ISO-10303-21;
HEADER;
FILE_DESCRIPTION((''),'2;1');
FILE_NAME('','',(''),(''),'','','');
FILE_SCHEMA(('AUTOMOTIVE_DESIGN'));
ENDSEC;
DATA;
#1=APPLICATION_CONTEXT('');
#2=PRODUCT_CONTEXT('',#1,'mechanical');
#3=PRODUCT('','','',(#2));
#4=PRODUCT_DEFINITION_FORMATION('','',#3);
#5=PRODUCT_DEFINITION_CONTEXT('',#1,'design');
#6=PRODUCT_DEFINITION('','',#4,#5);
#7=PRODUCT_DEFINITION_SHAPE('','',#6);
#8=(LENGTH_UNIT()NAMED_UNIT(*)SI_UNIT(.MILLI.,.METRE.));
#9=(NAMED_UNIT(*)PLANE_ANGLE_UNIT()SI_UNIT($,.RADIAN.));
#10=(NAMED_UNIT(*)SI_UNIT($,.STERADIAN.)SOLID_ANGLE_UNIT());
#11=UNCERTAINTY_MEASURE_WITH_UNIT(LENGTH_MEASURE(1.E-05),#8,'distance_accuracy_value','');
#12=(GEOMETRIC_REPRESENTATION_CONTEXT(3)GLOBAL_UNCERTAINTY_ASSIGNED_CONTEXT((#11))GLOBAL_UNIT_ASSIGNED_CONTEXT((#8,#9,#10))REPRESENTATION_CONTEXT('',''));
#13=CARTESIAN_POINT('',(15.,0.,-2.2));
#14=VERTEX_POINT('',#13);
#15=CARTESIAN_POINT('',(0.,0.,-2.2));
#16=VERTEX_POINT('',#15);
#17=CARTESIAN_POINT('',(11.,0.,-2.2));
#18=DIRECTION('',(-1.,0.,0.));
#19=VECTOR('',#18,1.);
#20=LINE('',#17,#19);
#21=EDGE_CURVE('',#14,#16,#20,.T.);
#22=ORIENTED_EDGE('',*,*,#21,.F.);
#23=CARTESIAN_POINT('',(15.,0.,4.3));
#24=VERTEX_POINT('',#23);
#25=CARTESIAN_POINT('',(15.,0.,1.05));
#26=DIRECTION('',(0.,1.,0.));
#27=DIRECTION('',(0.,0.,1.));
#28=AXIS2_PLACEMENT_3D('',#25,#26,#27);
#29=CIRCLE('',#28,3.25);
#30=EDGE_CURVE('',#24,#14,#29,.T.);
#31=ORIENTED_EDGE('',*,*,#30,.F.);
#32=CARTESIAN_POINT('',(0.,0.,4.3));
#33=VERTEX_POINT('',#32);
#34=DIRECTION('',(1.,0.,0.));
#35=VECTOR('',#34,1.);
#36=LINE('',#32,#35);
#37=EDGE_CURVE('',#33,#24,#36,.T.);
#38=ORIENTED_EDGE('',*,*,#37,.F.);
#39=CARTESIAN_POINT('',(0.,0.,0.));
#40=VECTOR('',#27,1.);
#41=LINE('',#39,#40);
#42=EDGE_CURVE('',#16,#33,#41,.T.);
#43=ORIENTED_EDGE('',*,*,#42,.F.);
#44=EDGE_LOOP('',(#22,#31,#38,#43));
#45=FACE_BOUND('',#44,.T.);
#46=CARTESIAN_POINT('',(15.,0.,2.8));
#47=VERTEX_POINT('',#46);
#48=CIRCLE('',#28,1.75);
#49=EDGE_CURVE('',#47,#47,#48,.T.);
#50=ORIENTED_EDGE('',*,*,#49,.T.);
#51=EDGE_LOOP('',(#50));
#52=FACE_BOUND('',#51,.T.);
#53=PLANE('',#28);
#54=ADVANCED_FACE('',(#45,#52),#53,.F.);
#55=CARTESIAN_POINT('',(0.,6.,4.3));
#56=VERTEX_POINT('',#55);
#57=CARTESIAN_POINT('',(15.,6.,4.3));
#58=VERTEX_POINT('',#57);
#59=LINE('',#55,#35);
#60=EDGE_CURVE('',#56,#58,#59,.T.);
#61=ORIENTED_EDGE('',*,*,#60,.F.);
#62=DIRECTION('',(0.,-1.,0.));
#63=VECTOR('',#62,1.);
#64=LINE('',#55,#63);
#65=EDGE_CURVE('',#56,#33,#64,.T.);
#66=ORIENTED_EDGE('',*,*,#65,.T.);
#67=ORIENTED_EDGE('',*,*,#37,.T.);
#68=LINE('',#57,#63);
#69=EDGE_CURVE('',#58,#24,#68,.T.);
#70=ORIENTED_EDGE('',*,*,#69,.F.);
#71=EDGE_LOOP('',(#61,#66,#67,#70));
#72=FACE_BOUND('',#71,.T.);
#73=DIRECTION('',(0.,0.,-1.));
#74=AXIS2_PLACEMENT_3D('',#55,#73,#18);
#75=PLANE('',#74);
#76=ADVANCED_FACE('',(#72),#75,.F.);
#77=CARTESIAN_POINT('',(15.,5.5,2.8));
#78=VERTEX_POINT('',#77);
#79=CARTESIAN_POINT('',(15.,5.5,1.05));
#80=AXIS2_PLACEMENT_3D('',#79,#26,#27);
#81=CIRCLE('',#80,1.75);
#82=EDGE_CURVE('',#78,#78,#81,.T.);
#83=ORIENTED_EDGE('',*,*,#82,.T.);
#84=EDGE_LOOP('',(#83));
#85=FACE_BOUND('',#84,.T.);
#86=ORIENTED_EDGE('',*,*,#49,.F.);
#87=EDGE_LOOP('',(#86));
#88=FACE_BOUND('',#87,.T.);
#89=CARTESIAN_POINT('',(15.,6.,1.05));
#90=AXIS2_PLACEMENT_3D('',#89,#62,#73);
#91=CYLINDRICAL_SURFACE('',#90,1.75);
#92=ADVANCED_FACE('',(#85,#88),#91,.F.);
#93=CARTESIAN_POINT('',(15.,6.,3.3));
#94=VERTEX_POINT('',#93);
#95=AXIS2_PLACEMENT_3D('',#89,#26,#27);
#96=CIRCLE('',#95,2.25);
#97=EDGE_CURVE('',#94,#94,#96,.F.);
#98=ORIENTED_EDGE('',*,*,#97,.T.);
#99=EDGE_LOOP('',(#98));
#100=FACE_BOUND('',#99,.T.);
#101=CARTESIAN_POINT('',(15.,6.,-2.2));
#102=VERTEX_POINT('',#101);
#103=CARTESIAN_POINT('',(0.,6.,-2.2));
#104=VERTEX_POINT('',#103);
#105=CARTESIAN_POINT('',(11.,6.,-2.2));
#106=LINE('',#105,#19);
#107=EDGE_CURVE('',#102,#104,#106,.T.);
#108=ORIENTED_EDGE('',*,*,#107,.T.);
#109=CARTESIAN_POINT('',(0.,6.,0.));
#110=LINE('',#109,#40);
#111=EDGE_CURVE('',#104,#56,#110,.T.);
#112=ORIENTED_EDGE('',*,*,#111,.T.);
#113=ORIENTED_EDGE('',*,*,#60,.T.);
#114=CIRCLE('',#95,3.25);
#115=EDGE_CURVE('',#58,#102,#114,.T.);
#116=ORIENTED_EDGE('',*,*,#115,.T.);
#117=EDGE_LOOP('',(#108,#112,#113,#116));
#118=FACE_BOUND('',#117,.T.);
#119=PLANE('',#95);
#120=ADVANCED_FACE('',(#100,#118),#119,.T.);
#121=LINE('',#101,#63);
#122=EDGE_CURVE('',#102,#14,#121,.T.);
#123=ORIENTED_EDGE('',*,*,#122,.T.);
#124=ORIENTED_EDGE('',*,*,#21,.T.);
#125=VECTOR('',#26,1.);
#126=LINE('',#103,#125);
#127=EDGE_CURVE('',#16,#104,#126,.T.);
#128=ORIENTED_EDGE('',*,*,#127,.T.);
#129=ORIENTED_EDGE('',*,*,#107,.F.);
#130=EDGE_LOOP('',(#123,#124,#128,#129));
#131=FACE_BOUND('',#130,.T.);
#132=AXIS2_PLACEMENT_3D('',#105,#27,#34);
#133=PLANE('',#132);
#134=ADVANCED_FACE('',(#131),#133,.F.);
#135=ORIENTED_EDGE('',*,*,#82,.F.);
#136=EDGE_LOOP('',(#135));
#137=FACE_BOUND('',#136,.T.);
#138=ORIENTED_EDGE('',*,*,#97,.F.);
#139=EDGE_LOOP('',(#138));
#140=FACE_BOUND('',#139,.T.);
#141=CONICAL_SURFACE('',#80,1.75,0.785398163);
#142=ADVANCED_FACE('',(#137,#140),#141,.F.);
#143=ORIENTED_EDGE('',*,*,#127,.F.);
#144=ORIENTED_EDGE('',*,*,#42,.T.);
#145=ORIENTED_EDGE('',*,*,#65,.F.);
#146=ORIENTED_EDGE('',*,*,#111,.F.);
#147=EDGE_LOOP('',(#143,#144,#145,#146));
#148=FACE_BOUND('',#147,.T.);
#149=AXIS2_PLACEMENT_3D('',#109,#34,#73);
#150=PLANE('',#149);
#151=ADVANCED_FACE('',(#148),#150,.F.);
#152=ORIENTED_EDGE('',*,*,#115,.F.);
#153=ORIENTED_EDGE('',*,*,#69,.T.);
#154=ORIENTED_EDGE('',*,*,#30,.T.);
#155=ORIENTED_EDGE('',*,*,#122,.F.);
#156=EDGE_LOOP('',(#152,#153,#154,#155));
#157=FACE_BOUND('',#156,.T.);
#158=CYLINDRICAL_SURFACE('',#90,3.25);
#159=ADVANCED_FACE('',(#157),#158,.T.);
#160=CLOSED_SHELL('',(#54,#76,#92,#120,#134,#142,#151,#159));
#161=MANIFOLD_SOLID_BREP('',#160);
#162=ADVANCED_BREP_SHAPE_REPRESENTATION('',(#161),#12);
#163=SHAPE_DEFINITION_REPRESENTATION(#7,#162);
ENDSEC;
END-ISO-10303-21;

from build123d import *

# Parameters (mm, degrees)
SKETCH2_R           = 1.75
BOSS_EXTRUDE1_DEPTH = 6
CHAMFER1_SIZE       = 0.5
SKETCH3_W           = 11
SKETCH3_H           = 6
BOSS_EXTRUDE2_DEPTH = 2.2


with BuildPart() as part:
    # Sketch2 → Boss-Extrude1 (new body)
    with BuildSketch(Plane(origin=(0, 0, 0), x_dir=(1, 0, 0), z_dir=(0, 1, 0))):
        with BuildLine():
            Line((11, 2.2), (15, 2.2))
            ThreePointArc((15, 2.2), (18.25, -1.05), (15, -4.3))
            Line((15, -4.3), (0, -4.3))
            Line((0, -4.3), (0, 0))
            Line((0, 0), (11, 0))
            Line((11, 0), (11, 2.2))
        make_face()
        with Locations(Location((15, -1.05, 0), (0, 0, 270))):
            Circle(SKETCH2_R, mode=Mode.SUBTRACT)
    extrude(amount=BOSS_EXTRUDE1_DEPTH)

    # Chamfer1
    chamfer1_edges = [part.edges().sort_by_distance(p)[0] for p in [
        (15, 6, -0.7),
    ]]
    chamfer(chamfer1_edges, length=CHAMFER1_SIZE)

    # Sketch3 → Boss-Extrude2 (add)
    with BuildSketch(Plane(origin=(0, 0, 0), x_dir=(-1, 0, 0), z_dir=(0, 0, -1))):
        with Locations((-5.5, 3)):
            Rectangle(SKETCH3_W, SKETCH3_H)
    extrude(amount=BOSS_EXTRUDE2_DEPTH)


solid = part.part
